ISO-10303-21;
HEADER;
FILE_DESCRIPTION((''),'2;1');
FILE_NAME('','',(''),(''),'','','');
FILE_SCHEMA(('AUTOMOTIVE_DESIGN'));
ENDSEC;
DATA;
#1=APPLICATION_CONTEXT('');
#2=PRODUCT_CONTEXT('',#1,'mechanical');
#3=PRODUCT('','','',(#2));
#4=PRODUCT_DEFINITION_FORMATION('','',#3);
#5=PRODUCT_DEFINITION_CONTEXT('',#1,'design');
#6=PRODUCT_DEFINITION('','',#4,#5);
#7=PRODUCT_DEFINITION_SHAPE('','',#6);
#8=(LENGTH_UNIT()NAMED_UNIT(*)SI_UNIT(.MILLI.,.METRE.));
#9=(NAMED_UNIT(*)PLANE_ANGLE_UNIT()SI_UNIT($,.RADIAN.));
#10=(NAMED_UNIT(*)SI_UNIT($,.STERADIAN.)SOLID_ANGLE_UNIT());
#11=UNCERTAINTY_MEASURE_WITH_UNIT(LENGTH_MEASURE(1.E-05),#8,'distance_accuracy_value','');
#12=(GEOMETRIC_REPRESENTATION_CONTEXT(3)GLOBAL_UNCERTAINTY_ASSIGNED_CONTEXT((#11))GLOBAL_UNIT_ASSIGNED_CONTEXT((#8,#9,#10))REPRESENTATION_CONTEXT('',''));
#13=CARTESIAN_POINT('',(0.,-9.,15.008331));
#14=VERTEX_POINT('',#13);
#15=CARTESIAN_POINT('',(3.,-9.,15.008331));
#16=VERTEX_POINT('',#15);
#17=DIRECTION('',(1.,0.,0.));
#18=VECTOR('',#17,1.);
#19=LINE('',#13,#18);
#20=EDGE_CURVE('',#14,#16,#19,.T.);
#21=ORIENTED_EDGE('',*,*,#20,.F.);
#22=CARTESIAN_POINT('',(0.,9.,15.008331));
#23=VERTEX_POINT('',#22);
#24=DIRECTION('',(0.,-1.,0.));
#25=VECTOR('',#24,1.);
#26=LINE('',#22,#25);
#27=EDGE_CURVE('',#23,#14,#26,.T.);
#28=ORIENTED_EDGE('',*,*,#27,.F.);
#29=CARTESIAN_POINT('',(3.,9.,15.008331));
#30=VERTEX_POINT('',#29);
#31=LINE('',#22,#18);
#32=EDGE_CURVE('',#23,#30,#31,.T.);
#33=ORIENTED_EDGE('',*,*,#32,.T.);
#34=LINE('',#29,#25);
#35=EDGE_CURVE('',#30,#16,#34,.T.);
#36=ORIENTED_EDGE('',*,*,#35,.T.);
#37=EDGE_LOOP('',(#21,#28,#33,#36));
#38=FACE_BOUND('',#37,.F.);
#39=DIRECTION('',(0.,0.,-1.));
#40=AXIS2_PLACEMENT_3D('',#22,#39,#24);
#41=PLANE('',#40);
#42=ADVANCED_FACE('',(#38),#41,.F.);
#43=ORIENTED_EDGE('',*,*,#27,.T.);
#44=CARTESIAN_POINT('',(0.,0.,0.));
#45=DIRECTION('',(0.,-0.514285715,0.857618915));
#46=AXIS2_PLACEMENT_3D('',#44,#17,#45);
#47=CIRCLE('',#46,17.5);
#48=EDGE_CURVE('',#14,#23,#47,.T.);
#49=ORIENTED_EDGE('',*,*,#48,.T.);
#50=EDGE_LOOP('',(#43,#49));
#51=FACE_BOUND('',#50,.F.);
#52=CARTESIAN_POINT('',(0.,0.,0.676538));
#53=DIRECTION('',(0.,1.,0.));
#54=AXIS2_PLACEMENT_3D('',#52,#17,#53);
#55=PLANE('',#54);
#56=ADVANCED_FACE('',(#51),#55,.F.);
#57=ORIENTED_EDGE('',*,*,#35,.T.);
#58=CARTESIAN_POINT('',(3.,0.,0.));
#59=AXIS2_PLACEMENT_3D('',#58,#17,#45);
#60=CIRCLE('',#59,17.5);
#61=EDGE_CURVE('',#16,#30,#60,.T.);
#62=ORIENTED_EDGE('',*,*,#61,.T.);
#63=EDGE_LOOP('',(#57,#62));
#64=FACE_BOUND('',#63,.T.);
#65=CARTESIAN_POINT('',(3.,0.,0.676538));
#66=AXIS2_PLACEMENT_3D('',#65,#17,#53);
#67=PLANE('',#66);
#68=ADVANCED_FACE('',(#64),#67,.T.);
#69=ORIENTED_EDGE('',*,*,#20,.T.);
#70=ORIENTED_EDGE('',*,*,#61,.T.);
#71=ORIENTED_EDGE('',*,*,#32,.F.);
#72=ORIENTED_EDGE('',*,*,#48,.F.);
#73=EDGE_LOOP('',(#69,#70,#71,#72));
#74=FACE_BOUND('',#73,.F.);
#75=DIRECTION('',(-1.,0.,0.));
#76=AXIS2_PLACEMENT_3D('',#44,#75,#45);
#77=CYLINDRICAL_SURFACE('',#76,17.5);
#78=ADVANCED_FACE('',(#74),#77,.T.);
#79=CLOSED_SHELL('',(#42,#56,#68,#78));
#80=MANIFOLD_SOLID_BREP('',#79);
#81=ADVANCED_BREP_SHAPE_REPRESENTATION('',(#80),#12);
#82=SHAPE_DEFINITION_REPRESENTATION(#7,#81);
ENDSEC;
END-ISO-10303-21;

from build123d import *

# Parameters (mm, degrees)
F1_DEPTH = 3


with BuildPart() as f1:
    # F0 (on Right) → F1 (new body)
    with BuildSketch(Plane.YZ):
        with BuildLine():
            Line((9, 15.008331), (-9, 15.008331))
            ThreePointArc((-9, 15.008331), (0, -17.5), (9, 15.008331))
        make_face()
    extrude(amount=F1_DEPTH)


solid = f1.part
